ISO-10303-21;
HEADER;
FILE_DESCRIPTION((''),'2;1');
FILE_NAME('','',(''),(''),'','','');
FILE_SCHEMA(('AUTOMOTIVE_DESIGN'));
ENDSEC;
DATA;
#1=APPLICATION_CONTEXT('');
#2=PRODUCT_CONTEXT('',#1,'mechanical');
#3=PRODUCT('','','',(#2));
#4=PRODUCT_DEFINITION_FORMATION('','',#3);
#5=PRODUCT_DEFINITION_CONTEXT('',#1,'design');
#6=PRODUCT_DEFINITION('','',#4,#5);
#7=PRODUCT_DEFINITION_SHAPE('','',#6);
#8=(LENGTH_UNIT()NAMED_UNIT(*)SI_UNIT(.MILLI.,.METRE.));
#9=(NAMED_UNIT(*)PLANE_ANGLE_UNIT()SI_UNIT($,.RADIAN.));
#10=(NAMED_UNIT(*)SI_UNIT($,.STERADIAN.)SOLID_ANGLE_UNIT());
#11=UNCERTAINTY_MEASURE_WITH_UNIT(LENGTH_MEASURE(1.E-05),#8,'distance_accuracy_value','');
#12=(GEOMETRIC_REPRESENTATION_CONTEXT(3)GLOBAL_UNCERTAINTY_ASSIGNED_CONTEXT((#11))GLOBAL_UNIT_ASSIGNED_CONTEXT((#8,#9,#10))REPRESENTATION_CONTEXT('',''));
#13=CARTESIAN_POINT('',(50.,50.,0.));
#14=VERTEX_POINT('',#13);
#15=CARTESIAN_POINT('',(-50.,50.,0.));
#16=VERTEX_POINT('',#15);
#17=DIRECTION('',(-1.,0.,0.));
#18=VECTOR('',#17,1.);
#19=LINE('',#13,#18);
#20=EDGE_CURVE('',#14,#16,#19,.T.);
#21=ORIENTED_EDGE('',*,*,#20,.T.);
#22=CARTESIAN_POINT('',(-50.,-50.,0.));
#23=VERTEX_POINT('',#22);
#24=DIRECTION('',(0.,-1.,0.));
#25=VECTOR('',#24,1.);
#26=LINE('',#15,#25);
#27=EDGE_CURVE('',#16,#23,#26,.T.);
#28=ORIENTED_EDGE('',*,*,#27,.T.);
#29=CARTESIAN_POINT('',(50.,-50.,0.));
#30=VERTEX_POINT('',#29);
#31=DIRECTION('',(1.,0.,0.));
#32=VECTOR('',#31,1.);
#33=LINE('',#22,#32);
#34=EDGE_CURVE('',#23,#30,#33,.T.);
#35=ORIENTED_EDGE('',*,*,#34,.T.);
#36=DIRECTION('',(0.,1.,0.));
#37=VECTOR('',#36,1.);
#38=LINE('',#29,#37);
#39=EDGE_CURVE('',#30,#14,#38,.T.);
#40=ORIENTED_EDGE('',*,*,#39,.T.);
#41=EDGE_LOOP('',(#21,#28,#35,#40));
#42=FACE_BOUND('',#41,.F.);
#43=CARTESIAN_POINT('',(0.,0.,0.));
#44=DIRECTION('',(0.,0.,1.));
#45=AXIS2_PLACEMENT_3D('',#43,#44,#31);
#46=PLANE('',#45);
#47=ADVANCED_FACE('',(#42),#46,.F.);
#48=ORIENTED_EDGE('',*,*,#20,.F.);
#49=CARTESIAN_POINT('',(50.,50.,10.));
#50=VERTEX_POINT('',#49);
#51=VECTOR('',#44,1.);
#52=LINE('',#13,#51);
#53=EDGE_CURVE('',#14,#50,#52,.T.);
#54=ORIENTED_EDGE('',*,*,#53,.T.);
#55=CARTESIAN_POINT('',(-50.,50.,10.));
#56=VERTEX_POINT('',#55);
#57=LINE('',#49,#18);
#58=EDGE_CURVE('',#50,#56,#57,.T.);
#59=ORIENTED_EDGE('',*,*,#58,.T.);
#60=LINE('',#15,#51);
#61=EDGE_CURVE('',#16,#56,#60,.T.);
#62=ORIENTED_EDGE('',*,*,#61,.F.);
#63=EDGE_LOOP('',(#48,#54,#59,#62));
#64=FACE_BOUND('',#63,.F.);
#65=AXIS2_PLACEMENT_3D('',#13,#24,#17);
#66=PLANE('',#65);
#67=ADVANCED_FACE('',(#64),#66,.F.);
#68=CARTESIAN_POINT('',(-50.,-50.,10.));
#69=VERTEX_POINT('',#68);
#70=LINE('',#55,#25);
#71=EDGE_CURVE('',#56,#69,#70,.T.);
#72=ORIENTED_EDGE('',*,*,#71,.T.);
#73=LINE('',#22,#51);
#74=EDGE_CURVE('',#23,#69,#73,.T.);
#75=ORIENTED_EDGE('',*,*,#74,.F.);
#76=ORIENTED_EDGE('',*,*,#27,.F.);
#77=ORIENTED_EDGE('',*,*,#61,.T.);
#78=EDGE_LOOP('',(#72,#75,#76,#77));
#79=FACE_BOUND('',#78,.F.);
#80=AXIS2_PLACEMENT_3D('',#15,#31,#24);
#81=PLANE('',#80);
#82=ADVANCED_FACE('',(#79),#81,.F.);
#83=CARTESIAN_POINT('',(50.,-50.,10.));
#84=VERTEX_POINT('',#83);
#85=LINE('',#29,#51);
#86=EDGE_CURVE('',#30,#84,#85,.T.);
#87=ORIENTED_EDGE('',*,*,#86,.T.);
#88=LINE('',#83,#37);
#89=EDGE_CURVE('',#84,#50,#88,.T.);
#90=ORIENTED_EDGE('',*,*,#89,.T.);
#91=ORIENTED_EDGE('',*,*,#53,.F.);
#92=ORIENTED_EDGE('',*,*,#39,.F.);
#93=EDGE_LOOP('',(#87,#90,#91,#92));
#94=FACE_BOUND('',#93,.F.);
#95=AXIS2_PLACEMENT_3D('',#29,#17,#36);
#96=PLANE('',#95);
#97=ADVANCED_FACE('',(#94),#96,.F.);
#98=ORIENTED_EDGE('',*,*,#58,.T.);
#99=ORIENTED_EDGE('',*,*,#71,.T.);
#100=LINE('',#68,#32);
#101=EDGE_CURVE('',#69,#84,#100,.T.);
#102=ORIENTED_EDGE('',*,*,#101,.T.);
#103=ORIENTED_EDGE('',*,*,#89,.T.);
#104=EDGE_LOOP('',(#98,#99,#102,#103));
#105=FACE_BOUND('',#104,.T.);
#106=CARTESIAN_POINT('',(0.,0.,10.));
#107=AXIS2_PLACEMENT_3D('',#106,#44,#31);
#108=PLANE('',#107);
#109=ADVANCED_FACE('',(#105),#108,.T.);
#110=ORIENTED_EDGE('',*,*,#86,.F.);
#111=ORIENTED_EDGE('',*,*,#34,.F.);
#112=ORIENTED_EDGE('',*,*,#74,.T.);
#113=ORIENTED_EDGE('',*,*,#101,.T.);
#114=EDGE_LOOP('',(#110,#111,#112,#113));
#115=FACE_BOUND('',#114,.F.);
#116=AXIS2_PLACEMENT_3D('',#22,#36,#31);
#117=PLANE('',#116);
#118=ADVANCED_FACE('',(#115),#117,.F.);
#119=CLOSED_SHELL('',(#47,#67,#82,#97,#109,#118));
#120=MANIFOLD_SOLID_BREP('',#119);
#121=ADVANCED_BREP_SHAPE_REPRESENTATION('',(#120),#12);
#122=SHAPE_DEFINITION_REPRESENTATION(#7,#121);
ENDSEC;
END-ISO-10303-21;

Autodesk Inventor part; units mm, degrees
ref_plane "YZ Plane" through (0, 0, 0) normal (1, 0, 0) x (0, 1, 0)
ref_plane "XZ Plane" through (0, 0, 0) normal (0, 1, 0) x (-1, 0, 0)
ref_plane "XY Plane" through (0, 0, 0) normal (0, 0, 1) x (1, 0, 0)
sketch "スケッチ1" plane through (0, 0, 0) normal (0, 0, 1) x (1, 0, 0)
  line L0 (-50, -50) -> (50, -50)
  line L1 (50, -50) -> (50, 50)
  line L2 (50, 50) -> (-50, 50)
  line L3 (-50, 50) -> (-50, -50)
  line L4 (-50, -50) -> (50, 50) construction
  line L5 (50, -50) -> (-50, 50) construction
  point P0 (0, 0)
  dimension "d0" = 100
  dimension "d1" = 100
extrude "押し出し1" add sketch "スケッチ1" along normal blind 10
properties part number "Dummy_base"
